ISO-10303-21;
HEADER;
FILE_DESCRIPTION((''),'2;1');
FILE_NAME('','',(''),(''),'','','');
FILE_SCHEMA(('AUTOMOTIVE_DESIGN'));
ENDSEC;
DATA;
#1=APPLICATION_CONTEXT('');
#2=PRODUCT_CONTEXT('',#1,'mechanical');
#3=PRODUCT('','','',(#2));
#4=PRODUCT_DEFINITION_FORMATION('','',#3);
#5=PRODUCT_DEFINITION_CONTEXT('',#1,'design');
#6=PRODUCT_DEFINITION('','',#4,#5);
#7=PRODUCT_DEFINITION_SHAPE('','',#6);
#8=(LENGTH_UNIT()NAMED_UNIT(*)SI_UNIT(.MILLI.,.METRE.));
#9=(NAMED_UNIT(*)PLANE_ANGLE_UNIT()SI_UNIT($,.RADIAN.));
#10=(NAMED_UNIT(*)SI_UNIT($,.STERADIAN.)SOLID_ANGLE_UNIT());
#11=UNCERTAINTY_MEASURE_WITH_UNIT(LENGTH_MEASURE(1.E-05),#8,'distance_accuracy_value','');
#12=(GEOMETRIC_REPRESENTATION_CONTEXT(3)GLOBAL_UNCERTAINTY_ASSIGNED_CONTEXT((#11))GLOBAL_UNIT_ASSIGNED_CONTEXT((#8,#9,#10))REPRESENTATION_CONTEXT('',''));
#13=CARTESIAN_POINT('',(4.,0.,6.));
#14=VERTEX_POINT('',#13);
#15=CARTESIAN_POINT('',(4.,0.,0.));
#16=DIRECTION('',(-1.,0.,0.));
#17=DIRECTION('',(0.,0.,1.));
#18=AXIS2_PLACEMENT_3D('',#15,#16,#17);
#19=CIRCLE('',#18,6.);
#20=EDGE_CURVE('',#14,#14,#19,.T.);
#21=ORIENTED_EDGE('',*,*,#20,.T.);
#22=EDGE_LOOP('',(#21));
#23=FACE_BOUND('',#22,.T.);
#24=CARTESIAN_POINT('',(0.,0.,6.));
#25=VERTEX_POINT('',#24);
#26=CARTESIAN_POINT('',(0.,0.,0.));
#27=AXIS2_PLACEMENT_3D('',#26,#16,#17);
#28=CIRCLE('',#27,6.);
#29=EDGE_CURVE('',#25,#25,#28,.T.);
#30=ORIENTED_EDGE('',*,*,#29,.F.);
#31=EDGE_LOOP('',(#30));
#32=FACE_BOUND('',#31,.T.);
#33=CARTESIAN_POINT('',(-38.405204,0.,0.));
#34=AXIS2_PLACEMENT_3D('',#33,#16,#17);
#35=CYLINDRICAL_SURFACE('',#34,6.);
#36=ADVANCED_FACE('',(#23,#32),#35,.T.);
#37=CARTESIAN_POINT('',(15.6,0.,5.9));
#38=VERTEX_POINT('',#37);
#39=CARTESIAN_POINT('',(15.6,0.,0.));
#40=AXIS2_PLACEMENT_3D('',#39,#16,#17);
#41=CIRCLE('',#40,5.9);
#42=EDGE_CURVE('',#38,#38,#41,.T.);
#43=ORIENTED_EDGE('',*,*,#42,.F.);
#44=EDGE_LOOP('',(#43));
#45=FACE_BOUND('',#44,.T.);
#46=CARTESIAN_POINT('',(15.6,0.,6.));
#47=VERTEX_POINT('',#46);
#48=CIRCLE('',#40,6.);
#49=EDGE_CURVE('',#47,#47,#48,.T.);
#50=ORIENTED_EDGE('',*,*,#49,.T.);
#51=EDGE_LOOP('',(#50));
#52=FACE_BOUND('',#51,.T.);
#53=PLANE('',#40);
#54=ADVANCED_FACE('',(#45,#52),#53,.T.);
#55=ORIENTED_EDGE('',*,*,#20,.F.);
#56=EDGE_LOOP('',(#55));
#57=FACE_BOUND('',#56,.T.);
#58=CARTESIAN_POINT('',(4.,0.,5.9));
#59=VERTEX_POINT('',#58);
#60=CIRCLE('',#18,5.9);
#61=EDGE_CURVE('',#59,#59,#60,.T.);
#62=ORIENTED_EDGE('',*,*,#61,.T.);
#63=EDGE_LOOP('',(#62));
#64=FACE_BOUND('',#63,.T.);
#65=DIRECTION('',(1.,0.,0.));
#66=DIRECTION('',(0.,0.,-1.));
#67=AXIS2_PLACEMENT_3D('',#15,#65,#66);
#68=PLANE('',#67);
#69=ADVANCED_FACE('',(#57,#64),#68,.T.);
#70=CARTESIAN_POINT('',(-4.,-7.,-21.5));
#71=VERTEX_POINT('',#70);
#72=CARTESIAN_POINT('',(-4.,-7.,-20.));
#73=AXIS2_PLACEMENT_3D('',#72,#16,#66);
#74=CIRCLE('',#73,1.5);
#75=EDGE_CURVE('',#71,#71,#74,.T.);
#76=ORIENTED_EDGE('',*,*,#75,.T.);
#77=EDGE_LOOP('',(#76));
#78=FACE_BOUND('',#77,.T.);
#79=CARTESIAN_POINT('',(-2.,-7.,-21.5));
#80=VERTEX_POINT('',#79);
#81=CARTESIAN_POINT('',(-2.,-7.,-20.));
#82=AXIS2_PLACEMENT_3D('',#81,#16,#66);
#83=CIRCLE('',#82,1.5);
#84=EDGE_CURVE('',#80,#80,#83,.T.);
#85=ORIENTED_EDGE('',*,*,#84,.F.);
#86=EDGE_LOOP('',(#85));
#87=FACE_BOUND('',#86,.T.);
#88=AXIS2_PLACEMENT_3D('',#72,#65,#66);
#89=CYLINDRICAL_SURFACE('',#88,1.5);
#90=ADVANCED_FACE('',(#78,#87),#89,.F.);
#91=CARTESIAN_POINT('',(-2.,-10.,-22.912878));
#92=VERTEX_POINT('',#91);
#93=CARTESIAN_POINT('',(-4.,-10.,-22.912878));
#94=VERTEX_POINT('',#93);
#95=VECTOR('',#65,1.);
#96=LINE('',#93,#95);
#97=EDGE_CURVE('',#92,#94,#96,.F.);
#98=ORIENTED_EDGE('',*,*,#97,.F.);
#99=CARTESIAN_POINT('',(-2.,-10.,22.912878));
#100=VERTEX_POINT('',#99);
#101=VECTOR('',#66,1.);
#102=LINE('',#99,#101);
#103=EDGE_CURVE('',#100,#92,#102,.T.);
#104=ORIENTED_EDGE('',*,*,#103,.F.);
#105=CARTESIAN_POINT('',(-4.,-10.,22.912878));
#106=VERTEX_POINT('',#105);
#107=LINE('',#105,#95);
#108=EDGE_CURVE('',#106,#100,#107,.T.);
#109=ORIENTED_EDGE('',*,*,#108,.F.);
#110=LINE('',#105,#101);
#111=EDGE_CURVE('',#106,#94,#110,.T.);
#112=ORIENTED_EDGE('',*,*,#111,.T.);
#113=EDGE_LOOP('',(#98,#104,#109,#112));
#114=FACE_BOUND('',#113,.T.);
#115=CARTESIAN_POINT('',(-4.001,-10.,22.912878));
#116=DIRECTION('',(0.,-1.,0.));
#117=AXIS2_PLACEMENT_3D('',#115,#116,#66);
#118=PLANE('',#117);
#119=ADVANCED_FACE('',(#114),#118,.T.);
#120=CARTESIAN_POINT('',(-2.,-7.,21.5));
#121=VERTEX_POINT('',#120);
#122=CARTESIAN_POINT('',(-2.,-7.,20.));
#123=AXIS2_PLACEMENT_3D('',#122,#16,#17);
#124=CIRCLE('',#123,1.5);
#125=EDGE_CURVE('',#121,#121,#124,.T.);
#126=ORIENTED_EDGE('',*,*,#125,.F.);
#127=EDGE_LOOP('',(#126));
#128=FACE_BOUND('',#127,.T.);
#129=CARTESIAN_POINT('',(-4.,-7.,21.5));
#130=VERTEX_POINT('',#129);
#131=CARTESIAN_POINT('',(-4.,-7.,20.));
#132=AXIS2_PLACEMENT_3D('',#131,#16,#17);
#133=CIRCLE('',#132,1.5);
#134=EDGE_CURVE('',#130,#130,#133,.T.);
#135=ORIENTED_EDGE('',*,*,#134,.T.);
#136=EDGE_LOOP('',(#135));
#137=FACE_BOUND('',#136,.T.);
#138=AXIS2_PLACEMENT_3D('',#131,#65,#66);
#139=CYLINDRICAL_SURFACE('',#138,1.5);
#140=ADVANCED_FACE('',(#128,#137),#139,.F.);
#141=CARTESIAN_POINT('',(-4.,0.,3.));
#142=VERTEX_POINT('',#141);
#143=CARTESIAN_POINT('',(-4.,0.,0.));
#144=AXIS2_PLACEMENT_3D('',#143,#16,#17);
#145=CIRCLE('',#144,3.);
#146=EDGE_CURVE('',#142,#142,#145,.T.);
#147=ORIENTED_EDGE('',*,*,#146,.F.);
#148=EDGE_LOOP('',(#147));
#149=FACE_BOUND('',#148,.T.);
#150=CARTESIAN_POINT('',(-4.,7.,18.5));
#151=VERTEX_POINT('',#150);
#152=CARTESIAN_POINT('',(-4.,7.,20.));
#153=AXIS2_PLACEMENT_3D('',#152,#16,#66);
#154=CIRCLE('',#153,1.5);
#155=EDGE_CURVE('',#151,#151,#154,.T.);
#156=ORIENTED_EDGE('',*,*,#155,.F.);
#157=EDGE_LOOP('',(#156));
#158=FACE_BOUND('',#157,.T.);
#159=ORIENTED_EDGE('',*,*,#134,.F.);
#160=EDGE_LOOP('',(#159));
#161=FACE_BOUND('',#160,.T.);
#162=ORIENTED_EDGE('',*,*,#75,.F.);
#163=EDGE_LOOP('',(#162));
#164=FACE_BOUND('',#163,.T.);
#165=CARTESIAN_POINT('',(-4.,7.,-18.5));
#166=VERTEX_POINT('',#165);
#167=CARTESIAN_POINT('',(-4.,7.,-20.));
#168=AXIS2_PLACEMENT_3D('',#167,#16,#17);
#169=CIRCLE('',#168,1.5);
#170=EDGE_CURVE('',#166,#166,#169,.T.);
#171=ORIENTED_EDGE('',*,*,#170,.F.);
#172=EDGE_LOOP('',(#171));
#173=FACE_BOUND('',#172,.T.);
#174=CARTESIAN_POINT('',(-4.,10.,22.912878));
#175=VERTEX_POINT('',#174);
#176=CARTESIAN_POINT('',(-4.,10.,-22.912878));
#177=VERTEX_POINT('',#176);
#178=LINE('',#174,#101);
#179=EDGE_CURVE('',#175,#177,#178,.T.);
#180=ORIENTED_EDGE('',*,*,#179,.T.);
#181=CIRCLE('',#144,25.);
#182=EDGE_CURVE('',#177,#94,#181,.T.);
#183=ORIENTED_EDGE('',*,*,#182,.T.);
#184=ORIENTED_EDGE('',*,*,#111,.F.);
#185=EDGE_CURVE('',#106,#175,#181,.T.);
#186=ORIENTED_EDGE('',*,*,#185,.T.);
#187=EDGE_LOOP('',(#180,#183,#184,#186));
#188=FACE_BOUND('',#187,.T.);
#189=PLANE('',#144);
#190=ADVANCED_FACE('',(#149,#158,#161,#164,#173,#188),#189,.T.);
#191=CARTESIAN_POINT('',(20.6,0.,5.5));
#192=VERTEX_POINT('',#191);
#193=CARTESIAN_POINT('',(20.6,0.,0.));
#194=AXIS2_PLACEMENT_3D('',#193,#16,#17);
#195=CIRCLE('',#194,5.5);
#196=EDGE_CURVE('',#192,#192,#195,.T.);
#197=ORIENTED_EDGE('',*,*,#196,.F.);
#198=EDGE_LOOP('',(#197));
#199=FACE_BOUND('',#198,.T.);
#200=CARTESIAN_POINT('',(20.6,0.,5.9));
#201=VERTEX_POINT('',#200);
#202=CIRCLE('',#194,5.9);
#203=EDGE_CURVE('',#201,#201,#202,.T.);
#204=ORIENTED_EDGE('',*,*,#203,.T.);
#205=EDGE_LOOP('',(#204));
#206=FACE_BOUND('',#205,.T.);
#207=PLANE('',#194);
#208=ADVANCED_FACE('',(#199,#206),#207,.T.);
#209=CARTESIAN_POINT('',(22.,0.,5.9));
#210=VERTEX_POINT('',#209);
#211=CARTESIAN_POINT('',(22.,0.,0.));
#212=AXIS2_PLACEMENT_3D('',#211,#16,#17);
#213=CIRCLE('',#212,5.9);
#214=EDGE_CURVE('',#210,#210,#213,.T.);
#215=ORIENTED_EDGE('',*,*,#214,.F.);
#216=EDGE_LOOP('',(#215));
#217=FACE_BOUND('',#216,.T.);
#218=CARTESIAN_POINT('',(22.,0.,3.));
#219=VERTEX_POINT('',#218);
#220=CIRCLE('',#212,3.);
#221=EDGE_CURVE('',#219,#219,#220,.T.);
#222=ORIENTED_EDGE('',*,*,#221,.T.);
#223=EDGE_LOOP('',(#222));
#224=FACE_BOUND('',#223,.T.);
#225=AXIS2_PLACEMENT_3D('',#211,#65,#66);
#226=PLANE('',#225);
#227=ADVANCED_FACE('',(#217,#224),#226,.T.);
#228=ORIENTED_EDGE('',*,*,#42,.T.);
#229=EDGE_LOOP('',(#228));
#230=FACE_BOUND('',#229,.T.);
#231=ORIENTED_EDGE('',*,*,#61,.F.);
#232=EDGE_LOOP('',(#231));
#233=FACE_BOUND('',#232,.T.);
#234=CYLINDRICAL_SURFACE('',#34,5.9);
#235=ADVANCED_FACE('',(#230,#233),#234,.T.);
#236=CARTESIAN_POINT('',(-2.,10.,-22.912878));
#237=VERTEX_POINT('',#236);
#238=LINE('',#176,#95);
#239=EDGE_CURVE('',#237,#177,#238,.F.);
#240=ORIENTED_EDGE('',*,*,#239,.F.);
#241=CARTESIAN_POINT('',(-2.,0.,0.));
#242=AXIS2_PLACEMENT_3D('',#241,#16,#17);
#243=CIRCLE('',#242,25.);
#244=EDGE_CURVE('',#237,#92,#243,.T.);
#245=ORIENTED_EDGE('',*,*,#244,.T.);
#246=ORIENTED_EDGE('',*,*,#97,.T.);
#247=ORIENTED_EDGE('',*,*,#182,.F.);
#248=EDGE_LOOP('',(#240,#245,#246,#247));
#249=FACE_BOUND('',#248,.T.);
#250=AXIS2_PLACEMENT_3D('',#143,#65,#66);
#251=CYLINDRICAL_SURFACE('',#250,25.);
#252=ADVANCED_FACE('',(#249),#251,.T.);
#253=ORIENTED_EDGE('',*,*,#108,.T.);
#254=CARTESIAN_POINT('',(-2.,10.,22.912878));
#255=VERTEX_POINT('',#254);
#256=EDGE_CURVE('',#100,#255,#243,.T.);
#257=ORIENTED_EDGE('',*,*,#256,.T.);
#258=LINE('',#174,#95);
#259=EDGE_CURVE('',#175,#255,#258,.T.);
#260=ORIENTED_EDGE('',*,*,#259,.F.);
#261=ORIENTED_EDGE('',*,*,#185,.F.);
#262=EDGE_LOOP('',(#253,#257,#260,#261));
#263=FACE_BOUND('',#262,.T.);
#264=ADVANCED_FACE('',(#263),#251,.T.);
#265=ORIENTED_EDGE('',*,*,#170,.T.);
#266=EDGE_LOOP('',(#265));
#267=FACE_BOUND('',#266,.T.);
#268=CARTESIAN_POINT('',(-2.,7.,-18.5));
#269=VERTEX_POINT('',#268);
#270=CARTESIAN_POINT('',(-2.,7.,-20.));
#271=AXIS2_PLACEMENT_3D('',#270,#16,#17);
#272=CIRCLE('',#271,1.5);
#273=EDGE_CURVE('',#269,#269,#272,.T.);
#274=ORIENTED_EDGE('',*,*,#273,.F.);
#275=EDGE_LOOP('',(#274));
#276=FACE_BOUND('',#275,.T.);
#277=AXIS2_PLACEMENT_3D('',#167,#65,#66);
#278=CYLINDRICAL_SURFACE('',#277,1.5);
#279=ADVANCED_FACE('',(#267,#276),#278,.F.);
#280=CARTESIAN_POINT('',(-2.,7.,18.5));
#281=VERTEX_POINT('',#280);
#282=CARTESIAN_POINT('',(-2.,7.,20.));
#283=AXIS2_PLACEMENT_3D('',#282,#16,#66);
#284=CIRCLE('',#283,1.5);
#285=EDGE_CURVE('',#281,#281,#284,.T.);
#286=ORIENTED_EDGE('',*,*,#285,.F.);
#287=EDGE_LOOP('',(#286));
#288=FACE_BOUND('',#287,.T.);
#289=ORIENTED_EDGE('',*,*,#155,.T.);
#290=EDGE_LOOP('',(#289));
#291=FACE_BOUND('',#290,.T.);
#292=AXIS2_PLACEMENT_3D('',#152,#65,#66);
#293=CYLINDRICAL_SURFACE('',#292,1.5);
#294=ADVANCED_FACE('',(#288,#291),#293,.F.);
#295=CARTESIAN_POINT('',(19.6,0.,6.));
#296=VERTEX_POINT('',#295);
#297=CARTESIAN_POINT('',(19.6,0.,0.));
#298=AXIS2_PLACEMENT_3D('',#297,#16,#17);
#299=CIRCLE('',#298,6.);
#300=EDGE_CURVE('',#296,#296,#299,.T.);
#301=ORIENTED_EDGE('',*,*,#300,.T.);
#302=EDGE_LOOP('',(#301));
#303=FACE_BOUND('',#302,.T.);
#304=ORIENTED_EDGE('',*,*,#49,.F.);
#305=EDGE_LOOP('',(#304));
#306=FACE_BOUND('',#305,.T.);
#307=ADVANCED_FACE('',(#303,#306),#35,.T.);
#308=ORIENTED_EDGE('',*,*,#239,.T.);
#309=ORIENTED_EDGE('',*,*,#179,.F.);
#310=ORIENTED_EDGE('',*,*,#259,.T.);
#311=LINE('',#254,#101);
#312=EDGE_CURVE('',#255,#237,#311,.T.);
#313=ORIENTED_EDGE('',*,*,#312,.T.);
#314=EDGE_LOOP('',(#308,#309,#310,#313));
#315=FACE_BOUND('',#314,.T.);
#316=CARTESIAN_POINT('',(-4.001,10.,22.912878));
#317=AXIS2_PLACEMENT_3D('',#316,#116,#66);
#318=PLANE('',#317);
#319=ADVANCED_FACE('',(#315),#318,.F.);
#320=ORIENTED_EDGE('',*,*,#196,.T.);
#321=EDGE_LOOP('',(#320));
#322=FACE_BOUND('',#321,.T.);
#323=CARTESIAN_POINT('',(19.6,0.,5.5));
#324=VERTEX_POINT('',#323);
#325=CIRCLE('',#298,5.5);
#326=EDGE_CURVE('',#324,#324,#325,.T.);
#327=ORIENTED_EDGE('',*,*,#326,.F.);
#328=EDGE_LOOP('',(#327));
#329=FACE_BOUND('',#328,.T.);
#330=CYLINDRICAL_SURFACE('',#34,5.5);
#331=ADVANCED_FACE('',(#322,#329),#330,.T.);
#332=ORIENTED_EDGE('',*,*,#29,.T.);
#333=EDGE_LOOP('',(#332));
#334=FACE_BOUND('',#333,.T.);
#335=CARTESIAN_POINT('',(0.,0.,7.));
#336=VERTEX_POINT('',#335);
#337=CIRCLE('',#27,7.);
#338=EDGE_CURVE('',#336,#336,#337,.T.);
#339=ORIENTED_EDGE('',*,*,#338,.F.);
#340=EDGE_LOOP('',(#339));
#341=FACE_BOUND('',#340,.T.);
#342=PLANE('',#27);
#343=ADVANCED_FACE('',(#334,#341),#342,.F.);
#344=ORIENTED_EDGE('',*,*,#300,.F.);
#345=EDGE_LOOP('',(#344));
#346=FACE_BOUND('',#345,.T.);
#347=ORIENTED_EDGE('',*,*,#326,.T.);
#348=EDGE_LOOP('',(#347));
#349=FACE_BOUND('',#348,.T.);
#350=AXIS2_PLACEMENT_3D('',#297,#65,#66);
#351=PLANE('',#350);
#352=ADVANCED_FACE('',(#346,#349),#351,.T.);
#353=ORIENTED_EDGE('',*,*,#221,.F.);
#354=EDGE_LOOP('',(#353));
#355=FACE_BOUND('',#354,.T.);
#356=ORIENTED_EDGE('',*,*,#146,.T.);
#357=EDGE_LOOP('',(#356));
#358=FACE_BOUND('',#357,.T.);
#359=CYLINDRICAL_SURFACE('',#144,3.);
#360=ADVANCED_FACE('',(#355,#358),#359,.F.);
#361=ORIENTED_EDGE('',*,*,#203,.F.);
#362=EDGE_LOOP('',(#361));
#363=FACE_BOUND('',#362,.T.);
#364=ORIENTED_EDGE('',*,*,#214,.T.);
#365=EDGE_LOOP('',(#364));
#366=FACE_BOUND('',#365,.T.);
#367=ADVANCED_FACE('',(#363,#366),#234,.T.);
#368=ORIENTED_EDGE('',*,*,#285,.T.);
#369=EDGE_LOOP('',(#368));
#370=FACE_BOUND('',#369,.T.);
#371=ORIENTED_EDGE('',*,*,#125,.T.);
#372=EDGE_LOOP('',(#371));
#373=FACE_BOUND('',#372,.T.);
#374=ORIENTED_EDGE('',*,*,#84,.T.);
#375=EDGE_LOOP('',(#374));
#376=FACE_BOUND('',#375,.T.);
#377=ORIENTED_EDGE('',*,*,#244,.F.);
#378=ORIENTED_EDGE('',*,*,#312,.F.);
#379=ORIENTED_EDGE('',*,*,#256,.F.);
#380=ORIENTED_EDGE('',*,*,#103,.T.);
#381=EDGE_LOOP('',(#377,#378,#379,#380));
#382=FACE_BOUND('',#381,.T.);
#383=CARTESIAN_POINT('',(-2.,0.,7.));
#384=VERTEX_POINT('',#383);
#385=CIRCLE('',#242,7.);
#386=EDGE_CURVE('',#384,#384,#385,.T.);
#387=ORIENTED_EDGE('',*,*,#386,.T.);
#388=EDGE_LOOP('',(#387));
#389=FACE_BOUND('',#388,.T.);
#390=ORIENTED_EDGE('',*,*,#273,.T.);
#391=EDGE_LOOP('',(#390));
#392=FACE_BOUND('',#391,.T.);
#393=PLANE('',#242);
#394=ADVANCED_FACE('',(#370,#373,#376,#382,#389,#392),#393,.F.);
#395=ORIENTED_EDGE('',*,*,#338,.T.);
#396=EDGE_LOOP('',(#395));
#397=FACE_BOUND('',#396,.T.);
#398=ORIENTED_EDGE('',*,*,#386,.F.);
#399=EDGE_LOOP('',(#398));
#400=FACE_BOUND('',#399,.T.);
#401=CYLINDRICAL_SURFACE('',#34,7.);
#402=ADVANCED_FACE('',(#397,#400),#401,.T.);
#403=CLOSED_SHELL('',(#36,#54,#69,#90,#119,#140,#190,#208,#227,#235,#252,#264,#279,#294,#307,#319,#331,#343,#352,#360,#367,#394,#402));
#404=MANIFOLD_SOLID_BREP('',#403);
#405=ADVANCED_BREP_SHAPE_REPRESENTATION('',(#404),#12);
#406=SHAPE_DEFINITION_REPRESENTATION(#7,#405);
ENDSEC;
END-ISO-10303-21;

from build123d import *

# Parameters (mm, degrees)
SKETCH_2_R            = 25
SKETCH_2_R_2          = 1.5
EXTRUDE_1_DEPTH       = 2
CUT_EXTRUDE_2_REACH   = 44.732
SKETCH_5_W            = 45.82575695
SKETCH_5_H            = 15
HOLE_WIZARD_6_0_6_1_D = 6


with BuildPart() as part:
    # 草图1 → 旋转2 (revolve)
    with BuildSketch(Plane.XY, mode=Mode.PRIVATE) as revolve_2_sk:
        Polygon((4, 6), (0, 6), (0, 7), (-2, 7), (-2, 0), (22, 0), (22, 3), (22, 5.9), (20.6, 5.9), (20.6, 5.5), (19.6, 5.5), (19.6, 6), (15.6, 6), (15.6, 5.9), (4, 5.9), align=None)
    revolve(revolve_2_sk.sketch.rotate(Axis((-38.40520389, 0, 0), (1, 0, 0)), 90), axis=Axis((-38.40520389, 0, 0), (1, 0, 0)))

    # 草图2 → 凸台-拉伸1 (add)
    with BuildSketch(Plane.ZY.offset(2)):
        Circle(SKETCH_2_R)
        with Locations((-20, 7)):
            Circle(SKETCH_2_R_2, mode=Mode.SUBTRACT)
        with Locations(Location((20, 7, 0), (0, 0, 180))):
            Circle(SKETCH_2_R_2, mode=Mode.SUBTRACT)
        with Locations((20, -7)):
            Circle(SKETCH_2_R_2, mode=Mode.SUBTRACT)
        with Locations(Location((-20, -7, 0), (0, 0, 180))):
            Circle(SKETCH_2_R_2, mode=Mode.SUBTRACT)
    extrude(amount=EXTRUDE_1_DEPTH)

    # 草图5 → 切除-拉伸2 (cut, up to next)
    with BuildSketch(Plane(origin=(-2, 0, 0), x_dir=(0, 0, -1), z_dir=(1, 0, 0)), mode=Mode.PRIVATE) as cut_extrude_2_sk1:
        with Locations((0, 17.5)):
            Rectangle(SKETCH_5_W, SKETCH_5_H)
    cut_extrude_2_tool1 = extrude(cut_extrude_2_sk1.sketch, amount=-CUT_EXTRUDE_2_REACH, mode=Mode.PRIVATE) & part.part
    cut_extrude_2 = cut_extrude_2_tool1.solids().sort_by_distance((-2, 17.5, 0))[0]
    add(cut_extrude_2, mode=Mode.SUBTRACT)

    # 镜向1: 切除-拉伸2 across plane
    add(cut_extrude_2.mirror(Plane.ZX), mode=Mode.SUBTRACT)

    # Ø6.0 (6) 直径孔1 (through all)
    with Locations(Plane.ZY.offset(4)):
        with Locations((0, 0)):
            Hole(HOLE_WIZARD_6_0_6_1_D / 2)


solid = part.part
